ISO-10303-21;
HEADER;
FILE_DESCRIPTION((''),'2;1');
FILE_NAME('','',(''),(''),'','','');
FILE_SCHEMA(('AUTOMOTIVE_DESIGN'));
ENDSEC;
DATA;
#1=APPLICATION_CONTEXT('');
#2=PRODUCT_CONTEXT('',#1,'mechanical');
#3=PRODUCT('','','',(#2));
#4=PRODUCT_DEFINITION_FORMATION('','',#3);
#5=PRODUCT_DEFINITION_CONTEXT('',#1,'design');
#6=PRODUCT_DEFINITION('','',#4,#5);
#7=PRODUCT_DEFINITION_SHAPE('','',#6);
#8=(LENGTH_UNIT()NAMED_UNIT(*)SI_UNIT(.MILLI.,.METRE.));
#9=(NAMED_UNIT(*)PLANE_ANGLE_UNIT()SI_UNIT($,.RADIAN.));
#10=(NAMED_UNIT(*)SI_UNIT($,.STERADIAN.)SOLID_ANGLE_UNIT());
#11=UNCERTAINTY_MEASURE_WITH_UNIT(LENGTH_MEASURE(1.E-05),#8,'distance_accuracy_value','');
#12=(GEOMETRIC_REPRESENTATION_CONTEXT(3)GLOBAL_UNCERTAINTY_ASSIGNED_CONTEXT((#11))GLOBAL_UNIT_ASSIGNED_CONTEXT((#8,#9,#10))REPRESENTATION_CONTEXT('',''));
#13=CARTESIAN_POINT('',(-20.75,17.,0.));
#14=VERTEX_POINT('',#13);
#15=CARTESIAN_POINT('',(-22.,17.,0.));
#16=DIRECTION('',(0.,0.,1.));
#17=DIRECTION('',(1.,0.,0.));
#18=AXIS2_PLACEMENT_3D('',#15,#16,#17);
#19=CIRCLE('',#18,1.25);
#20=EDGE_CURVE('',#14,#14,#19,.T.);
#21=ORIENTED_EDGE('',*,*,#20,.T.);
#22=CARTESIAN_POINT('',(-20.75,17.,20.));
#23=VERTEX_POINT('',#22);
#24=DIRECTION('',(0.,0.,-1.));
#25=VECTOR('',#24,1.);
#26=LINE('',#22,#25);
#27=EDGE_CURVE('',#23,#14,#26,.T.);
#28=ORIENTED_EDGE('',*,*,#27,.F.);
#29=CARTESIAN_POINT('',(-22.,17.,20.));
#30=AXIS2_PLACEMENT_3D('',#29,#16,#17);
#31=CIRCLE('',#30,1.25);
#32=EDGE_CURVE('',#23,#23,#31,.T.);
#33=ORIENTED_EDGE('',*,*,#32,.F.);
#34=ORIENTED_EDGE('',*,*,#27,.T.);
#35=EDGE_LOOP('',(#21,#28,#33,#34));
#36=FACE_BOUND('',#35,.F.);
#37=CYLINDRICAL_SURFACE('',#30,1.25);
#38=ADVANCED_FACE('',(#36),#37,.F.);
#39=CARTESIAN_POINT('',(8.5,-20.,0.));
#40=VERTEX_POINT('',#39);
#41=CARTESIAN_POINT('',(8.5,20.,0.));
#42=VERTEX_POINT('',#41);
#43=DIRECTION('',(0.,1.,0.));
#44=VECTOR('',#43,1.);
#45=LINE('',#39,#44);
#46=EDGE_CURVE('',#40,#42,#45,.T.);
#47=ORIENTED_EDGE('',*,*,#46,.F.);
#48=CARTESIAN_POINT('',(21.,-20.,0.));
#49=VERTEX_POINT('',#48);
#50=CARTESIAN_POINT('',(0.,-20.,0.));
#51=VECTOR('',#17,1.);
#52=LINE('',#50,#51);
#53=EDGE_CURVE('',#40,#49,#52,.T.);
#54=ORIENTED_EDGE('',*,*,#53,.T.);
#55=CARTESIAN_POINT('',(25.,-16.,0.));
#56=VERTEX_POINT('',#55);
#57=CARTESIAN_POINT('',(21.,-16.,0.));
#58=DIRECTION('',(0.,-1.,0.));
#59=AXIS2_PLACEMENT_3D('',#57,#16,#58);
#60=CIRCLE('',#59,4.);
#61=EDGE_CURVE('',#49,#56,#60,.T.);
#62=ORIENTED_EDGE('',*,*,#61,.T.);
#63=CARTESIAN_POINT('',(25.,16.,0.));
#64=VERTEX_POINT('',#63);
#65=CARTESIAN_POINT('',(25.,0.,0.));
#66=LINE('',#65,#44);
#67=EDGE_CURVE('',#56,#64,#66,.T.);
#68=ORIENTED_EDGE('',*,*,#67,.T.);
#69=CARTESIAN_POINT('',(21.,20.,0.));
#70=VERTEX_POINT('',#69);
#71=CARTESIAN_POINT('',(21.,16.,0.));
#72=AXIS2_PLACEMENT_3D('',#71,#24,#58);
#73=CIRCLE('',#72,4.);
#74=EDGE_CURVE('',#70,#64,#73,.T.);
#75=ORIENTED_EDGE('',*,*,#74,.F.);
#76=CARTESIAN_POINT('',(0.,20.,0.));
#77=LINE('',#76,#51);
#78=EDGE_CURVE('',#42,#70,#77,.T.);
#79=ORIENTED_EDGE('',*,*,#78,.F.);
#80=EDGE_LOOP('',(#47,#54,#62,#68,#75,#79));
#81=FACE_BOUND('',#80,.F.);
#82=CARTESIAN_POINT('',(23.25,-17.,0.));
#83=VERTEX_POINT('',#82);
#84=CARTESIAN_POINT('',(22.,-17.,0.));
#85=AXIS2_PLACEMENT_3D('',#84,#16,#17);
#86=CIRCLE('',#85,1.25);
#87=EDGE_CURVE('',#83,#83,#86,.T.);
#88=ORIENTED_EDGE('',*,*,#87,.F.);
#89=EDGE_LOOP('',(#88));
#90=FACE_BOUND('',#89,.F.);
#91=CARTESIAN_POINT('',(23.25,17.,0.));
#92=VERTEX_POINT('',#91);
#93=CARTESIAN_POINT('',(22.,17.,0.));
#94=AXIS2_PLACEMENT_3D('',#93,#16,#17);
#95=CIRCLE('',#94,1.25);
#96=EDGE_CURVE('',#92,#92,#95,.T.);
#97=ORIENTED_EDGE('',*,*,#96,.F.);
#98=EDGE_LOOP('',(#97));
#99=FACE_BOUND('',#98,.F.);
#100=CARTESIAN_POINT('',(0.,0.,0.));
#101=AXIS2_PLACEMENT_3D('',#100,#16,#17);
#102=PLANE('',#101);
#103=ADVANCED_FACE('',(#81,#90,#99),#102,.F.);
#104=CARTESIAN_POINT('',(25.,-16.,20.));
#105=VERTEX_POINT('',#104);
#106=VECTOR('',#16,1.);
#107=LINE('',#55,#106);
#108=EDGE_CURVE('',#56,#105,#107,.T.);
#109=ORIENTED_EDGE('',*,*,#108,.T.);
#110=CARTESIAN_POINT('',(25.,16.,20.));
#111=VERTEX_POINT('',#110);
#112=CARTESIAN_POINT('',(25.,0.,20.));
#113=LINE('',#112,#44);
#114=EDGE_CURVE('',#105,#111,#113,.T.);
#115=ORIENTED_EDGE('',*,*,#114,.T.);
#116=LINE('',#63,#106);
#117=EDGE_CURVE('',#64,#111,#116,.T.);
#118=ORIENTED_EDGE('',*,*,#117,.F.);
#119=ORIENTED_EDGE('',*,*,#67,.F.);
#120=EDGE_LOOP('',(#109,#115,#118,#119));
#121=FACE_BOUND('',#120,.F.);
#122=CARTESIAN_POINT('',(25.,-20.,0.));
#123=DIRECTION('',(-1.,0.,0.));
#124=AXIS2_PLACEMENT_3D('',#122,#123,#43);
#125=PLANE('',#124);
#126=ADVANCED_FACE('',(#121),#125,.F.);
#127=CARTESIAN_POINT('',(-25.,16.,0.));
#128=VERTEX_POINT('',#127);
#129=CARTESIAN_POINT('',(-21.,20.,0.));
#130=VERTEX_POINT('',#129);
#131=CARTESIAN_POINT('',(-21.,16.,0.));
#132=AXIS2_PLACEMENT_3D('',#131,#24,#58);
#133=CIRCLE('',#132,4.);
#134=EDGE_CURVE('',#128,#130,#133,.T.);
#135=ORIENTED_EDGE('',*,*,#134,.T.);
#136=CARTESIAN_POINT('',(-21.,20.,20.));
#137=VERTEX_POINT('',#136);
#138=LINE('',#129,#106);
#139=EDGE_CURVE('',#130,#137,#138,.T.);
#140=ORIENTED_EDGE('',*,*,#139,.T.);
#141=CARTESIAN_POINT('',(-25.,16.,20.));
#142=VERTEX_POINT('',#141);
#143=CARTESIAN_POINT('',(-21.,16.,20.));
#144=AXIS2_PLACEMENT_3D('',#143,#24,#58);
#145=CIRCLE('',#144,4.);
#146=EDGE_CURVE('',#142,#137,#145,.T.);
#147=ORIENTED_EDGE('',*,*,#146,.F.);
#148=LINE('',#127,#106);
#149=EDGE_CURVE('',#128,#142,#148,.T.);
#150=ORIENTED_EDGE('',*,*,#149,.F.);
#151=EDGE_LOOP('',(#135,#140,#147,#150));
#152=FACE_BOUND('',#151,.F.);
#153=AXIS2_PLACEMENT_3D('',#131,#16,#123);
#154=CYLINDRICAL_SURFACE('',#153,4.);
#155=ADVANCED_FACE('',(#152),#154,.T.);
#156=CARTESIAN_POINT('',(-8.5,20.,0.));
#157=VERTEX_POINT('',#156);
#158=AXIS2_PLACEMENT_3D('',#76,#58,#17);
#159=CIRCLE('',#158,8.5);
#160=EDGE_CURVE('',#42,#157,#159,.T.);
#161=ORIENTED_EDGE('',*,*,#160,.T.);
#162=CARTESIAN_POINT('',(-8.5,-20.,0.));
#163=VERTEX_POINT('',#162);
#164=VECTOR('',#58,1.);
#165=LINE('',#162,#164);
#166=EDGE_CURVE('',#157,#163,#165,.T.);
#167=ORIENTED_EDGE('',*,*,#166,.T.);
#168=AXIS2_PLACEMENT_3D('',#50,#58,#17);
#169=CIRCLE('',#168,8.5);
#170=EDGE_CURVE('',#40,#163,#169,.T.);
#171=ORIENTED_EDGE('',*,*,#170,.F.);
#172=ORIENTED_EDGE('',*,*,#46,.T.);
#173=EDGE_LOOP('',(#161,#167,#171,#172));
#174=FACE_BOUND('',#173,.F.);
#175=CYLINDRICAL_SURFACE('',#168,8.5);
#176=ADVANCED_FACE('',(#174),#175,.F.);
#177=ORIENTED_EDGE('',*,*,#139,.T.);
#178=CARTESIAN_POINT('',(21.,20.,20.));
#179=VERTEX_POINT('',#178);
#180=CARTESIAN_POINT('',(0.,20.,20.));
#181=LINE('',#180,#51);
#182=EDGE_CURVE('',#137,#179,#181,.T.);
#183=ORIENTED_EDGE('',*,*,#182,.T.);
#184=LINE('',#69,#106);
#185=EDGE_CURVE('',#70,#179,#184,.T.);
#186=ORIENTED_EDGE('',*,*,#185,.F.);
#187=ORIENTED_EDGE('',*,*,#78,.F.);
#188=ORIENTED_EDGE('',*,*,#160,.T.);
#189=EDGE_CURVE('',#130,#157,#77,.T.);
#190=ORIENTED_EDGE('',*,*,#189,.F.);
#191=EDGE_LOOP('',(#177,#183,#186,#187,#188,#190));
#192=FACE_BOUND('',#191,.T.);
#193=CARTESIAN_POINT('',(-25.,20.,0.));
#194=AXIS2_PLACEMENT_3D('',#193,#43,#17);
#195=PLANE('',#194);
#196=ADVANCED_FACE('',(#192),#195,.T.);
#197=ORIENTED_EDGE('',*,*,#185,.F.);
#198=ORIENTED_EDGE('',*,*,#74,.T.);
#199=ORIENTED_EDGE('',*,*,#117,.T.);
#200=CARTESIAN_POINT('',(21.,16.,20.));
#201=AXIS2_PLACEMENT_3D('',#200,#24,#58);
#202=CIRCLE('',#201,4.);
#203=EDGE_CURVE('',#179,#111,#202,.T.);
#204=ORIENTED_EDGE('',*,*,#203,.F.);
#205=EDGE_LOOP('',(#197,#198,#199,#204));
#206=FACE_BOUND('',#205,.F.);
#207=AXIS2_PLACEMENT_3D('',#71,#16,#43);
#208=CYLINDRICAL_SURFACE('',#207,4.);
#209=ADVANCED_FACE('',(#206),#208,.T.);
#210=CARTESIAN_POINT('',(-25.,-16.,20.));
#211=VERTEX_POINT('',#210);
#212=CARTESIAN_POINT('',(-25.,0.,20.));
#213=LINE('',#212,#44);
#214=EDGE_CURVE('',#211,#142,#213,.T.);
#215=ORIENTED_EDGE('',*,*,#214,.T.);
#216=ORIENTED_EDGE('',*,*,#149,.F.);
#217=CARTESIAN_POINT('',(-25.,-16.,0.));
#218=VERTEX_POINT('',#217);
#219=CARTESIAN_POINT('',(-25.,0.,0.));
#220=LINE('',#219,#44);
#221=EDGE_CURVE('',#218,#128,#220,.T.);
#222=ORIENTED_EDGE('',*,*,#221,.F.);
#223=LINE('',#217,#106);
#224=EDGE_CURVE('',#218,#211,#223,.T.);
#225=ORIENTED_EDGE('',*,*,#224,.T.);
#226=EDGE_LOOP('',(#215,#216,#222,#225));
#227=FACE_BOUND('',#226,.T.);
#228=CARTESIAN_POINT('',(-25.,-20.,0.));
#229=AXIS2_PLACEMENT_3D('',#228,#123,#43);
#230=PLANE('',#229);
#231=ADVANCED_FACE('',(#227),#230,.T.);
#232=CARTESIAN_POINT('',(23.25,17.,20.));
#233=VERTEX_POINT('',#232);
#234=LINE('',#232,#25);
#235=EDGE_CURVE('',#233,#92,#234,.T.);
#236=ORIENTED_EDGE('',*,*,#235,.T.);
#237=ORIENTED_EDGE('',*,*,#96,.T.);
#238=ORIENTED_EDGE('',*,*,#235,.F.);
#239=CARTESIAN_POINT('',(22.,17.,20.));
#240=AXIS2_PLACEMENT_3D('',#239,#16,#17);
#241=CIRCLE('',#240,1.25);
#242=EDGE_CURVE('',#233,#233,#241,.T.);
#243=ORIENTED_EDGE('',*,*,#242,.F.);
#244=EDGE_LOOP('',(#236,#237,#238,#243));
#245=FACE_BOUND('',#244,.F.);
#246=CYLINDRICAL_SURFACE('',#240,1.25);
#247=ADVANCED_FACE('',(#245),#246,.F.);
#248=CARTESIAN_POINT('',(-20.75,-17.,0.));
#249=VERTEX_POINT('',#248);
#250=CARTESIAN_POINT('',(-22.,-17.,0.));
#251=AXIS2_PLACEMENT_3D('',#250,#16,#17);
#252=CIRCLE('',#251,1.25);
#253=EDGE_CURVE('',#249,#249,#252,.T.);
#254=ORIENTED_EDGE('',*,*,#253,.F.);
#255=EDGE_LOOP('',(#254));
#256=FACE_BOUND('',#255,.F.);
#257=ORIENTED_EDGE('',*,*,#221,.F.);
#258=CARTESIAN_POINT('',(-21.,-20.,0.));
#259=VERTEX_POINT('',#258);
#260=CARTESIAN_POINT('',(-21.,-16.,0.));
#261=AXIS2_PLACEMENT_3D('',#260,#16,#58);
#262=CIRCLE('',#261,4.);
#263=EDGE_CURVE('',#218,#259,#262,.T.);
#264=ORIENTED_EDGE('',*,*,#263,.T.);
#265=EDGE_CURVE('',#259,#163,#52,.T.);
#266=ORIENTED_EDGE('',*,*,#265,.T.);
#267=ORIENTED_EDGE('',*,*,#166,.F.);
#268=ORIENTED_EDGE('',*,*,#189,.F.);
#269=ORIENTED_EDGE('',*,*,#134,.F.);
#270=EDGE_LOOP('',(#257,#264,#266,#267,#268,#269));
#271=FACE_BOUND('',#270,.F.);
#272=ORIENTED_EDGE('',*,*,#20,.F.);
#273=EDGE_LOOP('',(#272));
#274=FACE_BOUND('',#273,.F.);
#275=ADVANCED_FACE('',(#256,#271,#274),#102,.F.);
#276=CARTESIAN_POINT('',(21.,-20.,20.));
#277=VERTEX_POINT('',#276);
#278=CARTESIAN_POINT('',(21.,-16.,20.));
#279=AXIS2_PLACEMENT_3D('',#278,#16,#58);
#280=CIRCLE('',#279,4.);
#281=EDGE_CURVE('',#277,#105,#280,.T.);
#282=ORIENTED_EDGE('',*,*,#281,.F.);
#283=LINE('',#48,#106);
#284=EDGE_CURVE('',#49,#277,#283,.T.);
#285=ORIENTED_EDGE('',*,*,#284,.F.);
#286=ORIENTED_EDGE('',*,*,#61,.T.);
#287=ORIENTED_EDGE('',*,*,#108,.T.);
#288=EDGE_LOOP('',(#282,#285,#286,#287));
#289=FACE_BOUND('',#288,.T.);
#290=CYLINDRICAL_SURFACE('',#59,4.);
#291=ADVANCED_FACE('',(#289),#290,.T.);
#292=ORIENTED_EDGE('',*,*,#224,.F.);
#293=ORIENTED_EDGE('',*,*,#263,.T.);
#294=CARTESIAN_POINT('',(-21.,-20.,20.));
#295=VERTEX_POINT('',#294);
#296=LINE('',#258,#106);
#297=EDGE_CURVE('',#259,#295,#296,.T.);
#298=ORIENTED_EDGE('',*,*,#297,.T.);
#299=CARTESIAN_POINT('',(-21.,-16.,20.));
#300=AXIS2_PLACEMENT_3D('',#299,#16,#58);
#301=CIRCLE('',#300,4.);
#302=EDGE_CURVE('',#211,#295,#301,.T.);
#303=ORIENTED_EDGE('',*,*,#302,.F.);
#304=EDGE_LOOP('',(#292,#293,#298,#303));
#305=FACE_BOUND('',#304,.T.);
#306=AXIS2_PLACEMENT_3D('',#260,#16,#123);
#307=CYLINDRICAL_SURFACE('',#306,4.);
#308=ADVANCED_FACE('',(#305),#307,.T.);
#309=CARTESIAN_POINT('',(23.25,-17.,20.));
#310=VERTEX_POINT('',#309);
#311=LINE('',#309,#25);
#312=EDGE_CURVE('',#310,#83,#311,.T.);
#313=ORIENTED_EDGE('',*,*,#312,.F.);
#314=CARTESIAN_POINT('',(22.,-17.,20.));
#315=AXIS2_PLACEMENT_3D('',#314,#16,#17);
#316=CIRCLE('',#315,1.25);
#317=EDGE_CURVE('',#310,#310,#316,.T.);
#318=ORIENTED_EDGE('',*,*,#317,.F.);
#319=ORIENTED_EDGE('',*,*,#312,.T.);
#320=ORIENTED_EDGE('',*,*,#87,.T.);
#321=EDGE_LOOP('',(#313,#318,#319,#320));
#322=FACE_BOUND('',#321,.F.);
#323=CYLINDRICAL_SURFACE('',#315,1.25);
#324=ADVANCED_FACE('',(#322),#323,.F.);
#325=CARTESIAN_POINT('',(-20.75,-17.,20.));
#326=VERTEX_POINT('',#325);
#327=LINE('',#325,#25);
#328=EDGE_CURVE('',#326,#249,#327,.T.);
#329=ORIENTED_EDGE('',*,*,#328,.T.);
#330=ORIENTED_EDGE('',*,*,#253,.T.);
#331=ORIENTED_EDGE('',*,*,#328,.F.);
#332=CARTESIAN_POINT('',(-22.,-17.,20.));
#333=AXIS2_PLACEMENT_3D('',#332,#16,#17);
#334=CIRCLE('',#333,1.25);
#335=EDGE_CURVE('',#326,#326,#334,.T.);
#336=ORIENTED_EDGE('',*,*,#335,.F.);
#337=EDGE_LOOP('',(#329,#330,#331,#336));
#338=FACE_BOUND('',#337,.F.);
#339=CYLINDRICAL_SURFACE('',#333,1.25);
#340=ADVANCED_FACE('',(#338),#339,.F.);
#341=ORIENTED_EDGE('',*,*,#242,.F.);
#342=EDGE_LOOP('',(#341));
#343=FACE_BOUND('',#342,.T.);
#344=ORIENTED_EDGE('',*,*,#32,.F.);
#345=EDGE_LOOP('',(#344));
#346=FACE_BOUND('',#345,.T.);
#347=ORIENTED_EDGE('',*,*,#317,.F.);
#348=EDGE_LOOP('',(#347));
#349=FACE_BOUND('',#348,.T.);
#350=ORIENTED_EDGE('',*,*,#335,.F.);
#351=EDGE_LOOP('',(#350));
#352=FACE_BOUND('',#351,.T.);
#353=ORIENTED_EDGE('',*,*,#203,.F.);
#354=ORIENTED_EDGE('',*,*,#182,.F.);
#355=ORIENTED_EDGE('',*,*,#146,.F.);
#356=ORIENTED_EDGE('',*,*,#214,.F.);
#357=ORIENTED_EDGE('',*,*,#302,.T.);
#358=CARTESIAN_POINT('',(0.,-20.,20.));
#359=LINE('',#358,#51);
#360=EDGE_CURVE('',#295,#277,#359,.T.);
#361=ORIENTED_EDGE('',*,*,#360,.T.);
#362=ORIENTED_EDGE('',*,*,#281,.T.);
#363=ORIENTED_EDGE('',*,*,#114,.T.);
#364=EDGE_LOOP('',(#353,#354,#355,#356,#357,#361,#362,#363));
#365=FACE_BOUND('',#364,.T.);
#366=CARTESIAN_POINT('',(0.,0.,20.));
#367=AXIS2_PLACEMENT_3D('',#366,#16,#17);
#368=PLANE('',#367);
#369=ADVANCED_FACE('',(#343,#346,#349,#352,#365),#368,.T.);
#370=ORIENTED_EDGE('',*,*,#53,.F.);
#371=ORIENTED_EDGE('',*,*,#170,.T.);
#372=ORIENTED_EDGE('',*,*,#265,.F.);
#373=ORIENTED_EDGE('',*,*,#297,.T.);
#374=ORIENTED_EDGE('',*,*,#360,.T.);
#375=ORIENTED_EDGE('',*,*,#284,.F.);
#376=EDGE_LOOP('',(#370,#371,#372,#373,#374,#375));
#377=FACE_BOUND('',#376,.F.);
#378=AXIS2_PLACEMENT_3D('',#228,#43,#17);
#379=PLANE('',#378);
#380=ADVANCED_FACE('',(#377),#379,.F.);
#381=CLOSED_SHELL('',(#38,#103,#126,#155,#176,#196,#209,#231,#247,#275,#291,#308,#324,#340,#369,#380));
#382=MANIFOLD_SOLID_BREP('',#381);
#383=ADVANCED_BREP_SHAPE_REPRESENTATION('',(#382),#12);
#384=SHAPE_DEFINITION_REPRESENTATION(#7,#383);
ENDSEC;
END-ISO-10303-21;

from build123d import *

# Parameters (mm, degrees)
SKETCH_W        = 50
SKETCH_H        = 40
PAD_DEPTH       = 20
SKETCH001_R     = 8.5
POCKET_DEPTH    = 40.001
SKETCH002_R     = 1.25
POCKET001_DEPTH = 20.001
FILLET_R        = 4


with BuildPart() as part:
    # Sketch → Pad (new body)
    with BuildSketch(Plane.XY):
        Rectangle(SKETCH_W, SKETCH_H)
    extrude(amount=PAD_DEPTH)

    # Sketch001 (on Face2 of Pad) → Pocket (cut, through all)
    with BuildSketch(Plane.XZ.offset(20)):
        Circle(SKETCH001_R)
    extrude(amount=-POCKET_DEPTH, mode=Mode.SUBTRACT)

    # Sketch002 (on Face5 of Pocket) → Pocket001 (cut, through all)
    with BuildSketch(Plane.XY.offset(20)):
        with Locations((-22, 17)):
            Circle(SKETCH002_R)
        with Locations((22, 17)):
            Circle(SKETCH002_R)
        with Locations((22, -17)):
            Circle(SKETCH002_R)
        with Locations((-22, -17)):
            Circle(SKETCH002_R)
    extrude(amount=-POCKET001_DEPTH, mode=Mode.SUBTRACT)

    # Fillet
    fillet_edges = [part.edges().sort_by_distance(p)[0] for p in [
        (-25, -20, 10),
        (-25, 20, 10),
        (25, 20, 10),
        (25, -20, 10),
    ]]
    fillet(fillet_edges, radius=FILLET_R)


solid = part.part
